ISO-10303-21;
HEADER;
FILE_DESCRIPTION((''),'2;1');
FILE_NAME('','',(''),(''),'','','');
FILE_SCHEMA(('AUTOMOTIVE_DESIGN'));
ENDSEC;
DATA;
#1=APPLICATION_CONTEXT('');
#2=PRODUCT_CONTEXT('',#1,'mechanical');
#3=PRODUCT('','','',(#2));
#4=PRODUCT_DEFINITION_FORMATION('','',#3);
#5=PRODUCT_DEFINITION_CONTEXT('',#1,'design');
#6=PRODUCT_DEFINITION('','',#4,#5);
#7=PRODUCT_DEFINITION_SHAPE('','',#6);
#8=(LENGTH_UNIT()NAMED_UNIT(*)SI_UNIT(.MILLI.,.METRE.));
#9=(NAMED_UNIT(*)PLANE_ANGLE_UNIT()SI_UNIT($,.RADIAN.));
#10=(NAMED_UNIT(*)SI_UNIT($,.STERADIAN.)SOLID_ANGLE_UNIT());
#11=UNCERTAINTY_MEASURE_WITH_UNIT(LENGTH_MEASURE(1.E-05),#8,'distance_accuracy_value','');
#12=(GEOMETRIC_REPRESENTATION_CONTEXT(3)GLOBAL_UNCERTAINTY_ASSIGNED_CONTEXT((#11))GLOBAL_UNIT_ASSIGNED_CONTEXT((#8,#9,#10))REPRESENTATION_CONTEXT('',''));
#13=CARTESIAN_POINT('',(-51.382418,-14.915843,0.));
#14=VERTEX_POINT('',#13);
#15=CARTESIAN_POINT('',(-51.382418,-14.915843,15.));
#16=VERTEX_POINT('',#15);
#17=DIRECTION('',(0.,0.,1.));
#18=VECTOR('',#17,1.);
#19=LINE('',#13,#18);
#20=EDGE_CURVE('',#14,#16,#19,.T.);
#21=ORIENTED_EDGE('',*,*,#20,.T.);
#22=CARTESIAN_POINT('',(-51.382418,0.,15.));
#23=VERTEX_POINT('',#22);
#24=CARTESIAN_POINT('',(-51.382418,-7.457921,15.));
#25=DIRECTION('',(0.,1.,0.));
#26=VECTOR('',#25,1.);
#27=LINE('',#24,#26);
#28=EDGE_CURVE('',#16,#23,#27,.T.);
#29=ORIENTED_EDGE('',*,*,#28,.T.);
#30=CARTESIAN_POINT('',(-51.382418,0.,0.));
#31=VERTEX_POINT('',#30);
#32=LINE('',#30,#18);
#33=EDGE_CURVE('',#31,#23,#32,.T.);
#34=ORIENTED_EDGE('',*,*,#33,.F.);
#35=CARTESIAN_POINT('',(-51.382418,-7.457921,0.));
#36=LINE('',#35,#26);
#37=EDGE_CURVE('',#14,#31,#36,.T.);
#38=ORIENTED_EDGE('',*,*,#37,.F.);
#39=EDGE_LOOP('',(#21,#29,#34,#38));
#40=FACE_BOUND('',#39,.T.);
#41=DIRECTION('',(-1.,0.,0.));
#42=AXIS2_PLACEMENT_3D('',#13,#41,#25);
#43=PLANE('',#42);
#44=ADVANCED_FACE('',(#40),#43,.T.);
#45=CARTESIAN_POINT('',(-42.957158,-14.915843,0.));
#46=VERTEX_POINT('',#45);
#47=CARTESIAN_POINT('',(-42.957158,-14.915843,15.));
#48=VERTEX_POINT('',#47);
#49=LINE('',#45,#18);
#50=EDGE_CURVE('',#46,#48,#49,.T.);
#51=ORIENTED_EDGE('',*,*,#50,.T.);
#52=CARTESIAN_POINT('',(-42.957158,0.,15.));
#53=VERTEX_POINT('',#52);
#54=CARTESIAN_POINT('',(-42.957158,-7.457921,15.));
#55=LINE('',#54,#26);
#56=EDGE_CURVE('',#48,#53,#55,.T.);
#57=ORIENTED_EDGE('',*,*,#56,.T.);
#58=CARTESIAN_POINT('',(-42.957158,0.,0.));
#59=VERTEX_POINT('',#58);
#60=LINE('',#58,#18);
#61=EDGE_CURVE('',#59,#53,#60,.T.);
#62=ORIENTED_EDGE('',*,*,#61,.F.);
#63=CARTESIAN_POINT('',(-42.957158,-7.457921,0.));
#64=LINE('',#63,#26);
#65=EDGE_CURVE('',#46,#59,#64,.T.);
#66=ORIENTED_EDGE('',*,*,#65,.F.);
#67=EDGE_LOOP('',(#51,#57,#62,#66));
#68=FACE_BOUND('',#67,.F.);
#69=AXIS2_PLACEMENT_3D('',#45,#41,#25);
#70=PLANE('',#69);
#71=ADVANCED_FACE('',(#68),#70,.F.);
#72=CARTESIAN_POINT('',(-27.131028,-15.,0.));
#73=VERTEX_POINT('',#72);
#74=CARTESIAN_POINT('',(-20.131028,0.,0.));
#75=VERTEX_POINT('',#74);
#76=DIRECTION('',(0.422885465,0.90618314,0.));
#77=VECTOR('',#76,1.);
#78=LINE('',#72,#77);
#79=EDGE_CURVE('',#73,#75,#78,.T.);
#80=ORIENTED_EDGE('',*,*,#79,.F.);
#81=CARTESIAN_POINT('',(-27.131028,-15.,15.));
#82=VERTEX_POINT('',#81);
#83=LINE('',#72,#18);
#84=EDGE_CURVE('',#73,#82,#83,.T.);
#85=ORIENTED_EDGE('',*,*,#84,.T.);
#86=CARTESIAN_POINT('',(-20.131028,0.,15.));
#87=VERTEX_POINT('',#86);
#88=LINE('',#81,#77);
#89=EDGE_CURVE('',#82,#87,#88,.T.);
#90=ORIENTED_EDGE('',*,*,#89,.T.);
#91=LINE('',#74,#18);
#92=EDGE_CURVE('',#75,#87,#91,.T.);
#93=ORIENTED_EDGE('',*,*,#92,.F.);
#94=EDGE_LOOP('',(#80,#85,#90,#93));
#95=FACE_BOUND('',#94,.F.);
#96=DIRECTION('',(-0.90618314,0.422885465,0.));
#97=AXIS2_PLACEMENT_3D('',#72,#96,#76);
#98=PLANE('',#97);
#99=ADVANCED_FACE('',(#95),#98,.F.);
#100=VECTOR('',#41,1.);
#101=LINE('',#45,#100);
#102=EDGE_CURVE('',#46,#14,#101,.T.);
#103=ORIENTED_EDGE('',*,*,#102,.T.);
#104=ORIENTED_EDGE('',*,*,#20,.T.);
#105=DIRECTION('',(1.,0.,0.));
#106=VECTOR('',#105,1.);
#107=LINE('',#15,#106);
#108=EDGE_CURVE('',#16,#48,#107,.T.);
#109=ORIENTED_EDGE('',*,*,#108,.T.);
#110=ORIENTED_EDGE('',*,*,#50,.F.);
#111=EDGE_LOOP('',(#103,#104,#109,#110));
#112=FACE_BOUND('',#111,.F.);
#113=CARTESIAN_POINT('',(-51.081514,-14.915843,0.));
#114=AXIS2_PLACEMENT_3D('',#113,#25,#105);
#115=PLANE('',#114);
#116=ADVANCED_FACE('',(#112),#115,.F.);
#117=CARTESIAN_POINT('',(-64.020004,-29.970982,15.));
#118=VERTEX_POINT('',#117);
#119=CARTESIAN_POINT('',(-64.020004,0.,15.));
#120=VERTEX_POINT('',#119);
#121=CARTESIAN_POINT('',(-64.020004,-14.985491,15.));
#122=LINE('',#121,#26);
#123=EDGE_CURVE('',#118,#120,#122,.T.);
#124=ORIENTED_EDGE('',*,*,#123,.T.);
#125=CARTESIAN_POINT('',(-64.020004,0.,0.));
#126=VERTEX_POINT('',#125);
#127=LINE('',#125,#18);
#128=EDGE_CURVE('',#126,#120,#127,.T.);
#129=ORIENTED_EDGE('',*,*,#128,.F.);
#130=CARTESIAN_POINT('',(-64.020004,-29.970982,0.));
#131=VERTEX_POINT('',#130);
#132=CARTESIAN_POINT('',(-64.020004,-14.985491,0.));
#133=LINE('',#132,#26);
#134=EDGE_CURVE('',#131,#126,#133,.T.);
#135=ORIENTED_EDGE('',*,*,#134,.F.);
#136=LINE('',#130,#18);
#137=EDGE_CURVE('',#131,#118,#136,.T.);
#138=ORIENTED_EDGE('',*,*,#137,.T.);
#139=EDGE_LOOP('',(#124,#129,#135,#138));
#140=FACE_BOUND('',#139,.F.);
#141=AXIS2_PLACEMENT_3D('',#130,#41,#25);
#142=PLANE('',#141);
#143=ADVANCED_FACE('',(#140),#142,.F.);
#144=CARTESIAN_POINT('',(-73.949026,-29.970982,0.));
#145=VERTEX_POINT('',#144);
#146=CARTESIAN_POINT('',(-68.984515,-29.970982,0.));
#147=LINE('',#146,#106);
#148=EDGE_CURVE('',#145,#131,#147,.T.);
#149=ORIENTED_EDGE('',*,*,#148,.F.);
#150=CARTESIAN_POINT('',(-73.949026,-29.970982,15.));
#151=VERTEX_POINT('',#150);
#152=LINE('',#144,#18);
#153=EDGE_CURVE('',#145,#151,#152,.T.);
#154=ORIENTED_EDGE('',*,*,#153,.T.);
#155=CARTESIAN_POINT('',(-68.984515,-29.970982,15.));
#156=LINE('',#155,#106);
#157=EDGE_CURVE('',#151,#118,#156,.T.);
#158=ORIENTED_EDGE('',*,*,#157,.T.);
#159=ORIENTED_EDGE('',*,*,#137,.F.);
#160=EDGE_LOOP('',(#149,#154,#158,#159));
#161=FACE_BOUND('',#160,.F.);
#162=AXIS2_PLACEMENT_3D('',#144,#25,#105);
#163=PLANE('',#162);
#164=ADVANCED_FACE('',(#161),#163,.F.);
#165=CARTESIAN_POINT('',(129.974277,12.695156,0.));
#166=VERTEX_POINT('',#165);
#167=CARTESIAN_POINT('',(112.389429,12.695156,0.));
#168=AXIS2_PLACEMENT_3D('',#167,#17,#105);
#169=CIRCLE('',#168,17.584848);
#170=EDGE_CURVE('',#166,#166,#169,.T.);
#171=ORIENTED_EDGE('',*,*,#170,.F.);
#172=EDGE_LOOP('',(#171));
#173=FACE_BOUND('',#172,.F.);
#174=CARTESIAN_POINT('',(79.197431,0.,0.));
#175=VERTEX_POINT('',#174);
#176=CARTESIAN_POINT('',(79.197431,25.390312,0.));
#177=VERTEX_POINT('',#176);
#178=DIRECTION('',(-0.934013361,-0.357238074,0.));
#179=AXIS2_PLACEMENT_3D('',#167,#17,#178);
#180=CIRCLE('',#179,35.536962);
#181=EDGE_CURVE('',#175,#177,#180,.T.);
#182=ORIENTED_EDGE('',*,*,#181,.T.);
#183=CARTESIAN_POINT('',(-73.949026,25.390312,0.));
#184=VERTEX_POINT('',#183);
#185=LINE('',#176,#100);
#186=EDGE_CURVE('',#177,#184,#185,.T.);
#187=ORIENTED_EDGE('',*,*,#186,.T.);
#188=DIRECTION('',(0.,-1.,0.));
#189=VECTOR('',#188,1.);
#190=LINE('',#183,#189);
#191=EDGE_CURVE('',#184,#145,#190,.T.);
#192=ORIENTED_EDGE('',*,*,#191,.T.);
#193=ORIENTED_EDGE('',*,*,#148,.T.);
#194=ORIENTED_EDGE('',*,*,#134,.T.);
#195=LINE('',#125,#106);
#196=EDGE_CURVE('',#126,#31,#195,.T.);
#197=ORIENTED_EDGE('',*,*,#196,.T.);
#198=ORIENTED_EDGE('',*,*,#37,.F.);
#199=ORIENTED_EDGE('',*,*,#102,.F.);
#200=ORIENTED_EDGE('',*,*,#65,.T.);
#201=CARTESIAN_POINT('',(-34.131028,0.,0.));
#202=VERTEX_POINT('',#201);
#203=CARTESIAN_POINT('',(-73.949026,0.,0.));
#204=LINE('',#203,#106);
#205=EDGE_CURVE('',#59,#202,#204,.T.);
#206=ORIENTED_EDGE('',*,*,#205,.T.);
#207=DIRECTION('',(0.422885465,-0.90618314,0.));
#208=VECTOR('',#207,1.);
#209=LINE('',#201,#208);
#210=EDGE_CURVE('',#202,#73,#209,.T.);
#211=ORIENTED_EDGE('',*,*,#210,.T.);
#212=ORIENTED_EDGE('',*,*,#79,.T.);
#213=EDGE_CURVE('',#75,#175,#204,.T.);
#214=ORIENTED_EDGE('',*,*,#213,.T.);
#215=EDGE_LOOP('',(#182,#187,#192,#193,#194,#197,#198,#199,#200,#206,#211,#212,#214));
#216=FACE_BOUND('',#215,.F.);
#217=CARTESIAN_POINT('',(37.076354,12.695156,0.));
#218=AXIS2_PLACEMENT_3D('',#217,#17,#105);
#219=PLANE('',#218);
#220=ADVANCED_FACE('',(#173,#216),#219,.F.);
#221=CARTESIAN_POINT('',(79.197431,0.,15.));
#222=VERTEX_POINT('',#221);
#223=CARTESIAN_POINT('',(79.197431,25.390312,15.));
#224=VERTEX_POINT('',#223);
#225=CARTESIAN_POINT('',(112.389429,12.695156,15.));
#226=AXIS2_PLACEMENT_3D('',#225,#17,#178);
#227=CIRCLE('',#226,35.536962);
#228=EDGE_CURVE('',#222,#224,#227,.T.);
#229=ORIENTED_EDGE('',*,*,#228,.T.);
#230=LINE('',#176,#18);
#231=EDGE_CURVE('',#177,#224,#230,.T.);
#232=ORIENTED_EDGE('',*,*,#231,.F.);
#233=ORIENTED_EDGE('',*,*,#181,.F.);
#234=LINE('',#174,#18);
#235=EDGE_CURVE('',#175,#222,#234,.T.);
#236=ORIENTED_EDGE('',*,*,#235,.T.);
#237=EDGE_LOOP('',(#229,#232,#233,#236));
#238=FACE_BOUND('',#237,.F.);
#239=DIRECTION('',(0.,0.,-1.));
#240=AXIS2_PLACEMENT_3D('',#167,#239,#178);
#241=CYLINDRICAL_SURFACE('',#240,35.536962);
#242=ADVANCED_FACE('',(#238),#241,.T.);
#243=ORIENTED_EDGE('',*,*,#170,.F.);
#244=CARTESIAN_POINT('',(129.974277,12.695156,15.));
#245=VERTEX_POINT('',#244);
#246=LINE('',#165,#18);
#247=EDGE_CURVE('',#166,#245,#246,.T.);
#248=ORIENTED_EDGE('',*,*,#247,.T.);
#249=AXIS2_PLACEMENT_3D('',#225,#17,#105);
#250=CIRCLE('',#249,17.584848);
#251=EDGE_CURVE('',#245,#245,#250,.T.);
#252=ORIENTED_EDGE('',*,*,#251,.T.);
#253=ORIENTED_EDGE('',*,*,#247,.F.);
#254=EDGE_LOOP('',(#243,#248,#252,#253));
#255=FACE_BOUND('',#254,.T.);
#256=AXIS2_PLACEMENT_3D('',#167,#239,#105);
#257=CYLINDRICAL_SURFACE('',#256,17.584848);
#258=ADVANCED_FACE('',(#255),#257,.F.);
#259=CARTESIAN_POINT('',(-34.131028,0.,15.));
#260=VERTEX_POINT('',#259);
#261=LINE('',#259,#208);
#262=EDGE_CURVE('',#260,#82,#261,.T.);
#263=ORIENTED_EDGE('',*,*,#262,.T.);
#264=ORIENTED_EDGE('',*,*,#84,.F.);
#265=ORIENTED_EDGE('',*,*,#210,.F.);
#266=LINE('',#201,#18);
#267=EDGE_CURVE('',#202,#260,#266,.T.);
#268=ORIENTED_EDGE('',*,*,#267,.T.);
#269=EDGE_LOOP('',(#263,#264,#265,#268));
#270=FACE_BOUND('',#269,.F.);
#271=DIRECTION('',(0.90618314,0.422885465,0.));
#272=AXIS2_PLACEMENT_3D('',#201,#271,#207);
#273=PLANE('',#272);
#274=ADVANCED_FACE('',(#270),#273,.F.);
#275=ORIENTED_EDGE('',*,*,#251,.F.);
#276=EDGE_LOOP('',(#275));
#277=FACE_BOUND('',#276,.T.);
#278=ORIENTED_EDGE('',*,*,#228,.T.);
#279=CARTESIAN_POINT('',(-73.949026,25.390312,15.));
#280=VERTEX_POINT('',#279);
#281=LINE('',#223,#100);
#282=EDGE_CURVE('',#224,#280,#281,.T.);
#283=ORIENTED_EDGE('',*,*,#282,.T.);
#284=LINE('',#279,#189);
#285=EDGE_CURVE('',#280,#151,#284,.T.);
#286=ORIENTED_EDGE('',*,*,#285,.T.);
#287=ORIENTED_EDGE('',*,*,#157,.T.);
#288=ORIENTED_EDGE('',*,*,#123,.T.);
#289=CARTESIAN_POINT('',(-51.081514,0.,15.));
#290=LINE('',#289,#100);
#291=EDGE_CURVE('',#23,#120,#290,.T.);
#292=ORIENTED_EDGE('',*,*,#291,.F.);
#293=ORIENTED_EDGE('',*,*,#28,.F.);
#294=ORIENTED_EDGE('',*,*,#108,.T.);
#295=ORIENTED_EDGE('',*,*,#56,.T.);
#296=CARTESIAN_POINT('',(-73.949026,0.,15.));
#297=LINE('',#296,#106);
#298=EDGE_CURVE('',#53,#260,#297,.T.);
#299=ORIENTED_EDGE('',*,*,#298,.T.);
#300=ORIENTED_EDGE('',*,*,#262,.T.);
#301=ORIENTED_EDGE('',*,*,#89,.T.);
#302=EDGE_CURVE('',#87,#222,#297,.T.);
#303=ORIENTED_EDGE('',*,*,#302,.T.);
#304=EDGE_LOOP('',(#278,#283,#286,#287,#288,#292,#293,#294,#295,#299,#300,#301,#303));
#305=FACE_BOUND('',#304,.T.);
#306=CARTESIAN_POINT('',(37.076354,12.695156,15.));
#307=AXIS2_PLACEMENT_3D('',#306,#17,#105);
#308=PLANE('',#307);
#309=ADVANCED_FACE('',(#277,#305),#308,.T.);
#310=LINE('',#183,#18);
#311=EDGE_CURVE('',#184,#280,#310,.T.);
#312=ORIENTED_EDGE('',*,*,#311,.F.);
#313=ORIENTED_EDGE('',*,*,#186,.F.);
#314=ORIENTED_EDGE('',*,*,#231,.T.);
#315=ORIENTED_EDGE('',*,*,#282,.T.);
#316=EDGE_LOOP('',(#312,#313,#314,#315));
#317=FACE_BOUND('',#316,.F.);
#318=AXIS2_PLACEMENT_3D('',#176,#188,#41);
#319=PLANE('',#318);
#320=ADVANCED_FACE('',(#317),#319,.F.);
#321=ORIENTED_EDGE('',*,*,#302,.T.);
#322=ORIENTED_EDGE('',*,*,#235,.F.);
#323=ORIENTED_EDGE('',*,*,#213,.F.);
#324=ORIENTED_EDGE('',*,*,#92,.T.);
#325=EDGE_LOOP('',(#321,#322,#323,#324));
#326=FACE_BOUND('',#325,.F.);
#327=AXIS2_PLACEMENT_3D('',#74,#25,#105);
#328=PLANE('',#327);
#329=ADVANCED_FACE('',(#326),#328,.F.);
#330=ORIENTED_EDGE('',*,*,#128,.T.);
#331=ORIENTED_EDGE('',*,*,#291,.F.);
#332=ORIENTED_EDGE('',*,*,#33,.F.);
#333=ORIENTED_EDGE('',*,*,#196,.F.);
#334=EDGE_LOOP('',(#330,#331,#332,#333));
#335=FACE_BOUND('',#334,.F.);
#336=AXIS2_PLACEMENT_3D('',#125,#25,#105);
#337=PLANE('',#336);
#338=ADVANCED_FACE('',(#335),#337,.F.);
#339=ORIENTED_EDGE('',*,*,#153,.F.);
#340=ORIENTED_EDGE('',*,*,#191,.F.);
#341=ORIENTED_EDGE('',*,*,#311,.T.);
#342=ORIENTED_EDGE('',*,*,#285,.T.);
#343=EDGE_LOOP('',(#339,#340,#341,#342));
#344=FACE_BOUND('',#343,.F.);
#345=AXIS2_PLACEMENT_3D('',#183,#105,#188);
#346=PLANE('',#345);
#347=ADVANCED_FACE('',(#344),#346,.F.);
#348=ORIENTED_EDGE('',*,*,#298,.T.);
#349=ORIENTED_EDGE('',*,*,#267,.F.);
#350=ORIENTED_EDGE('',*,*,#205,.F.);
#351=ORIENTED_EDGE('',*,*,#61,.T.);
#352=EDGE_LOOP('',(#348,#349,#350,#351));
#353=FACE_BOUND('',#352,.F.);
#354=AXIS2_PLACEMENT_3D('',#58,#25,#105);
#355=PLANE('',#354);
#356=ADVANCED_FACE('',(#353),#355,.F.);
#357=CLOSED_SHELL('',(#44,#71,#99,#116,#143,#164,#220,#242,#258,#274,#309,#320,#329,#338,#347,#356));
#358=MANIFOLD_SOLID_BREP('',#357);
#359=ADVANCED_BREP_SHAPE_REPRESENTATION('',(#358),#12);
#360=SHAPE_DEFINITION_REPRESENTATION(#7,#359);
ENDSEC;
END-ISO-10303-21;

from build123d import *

# Parameters (mm, degrees)
F0_R     = 17.584848
F0_W     = 9.929022
F0_H     = 29.970982
F0_W_2   = 8.124356
F0_H_2   = 14.915843
F0_W_3   = 0.300904
F1_DEPTH = 15


with BuildPart() as f1:
    # F0 (on Top) → F1 (new body)
    with BuildSketch(Plane.XY):
        with BuildLine():
            ThreePointArc((79.197431, 0), (147.926391, 12.695156), (79.197431, 25.390312))
            Line((79.197431, 25.390312), (-73.949026, 25.390312))
            Line((-73.949026, 25.390312), (-73.949026, 0))
            Line((-73.949026, 0), (-64.020004, 0))
            Line((-64.020004, 0), (-63.418188, 0))
            Line((-63.418188, 0), (-51.382418, 0))
            Line((-51.382418, 0), (-51.081514, 0))
            Line((-51.081514, 0), (-42.957158, 0))
            Line((-42.957158, 0), (-34.131028, 0))
            Line((-34.131028, 0), (-20.131028, 0))
            Line((-20.131028, 0), (79.197431, 0))
        make_face()
        with Locations((112.389429, 12.695156)):
            Circle(F0_R, mode=Mode.SUBTRACT)
        with Locations((-68.984515, -14.985491)):
            Rectangle(F0_W, F0_H)
        Polygon((-27.131028, -15), (-20.131028, 0), (-34.131028, 0), align=None)
        with Locations((-47.019336, -7.457921)):
            Rectangle(F0_W_2, F0_H_2)
        with Locations((-51.231966, -7.457921)):
            Rectangle(F0_W_3, F0_H_2)
    extrude(amount=F1_DEPTH)


solid = f1.part
